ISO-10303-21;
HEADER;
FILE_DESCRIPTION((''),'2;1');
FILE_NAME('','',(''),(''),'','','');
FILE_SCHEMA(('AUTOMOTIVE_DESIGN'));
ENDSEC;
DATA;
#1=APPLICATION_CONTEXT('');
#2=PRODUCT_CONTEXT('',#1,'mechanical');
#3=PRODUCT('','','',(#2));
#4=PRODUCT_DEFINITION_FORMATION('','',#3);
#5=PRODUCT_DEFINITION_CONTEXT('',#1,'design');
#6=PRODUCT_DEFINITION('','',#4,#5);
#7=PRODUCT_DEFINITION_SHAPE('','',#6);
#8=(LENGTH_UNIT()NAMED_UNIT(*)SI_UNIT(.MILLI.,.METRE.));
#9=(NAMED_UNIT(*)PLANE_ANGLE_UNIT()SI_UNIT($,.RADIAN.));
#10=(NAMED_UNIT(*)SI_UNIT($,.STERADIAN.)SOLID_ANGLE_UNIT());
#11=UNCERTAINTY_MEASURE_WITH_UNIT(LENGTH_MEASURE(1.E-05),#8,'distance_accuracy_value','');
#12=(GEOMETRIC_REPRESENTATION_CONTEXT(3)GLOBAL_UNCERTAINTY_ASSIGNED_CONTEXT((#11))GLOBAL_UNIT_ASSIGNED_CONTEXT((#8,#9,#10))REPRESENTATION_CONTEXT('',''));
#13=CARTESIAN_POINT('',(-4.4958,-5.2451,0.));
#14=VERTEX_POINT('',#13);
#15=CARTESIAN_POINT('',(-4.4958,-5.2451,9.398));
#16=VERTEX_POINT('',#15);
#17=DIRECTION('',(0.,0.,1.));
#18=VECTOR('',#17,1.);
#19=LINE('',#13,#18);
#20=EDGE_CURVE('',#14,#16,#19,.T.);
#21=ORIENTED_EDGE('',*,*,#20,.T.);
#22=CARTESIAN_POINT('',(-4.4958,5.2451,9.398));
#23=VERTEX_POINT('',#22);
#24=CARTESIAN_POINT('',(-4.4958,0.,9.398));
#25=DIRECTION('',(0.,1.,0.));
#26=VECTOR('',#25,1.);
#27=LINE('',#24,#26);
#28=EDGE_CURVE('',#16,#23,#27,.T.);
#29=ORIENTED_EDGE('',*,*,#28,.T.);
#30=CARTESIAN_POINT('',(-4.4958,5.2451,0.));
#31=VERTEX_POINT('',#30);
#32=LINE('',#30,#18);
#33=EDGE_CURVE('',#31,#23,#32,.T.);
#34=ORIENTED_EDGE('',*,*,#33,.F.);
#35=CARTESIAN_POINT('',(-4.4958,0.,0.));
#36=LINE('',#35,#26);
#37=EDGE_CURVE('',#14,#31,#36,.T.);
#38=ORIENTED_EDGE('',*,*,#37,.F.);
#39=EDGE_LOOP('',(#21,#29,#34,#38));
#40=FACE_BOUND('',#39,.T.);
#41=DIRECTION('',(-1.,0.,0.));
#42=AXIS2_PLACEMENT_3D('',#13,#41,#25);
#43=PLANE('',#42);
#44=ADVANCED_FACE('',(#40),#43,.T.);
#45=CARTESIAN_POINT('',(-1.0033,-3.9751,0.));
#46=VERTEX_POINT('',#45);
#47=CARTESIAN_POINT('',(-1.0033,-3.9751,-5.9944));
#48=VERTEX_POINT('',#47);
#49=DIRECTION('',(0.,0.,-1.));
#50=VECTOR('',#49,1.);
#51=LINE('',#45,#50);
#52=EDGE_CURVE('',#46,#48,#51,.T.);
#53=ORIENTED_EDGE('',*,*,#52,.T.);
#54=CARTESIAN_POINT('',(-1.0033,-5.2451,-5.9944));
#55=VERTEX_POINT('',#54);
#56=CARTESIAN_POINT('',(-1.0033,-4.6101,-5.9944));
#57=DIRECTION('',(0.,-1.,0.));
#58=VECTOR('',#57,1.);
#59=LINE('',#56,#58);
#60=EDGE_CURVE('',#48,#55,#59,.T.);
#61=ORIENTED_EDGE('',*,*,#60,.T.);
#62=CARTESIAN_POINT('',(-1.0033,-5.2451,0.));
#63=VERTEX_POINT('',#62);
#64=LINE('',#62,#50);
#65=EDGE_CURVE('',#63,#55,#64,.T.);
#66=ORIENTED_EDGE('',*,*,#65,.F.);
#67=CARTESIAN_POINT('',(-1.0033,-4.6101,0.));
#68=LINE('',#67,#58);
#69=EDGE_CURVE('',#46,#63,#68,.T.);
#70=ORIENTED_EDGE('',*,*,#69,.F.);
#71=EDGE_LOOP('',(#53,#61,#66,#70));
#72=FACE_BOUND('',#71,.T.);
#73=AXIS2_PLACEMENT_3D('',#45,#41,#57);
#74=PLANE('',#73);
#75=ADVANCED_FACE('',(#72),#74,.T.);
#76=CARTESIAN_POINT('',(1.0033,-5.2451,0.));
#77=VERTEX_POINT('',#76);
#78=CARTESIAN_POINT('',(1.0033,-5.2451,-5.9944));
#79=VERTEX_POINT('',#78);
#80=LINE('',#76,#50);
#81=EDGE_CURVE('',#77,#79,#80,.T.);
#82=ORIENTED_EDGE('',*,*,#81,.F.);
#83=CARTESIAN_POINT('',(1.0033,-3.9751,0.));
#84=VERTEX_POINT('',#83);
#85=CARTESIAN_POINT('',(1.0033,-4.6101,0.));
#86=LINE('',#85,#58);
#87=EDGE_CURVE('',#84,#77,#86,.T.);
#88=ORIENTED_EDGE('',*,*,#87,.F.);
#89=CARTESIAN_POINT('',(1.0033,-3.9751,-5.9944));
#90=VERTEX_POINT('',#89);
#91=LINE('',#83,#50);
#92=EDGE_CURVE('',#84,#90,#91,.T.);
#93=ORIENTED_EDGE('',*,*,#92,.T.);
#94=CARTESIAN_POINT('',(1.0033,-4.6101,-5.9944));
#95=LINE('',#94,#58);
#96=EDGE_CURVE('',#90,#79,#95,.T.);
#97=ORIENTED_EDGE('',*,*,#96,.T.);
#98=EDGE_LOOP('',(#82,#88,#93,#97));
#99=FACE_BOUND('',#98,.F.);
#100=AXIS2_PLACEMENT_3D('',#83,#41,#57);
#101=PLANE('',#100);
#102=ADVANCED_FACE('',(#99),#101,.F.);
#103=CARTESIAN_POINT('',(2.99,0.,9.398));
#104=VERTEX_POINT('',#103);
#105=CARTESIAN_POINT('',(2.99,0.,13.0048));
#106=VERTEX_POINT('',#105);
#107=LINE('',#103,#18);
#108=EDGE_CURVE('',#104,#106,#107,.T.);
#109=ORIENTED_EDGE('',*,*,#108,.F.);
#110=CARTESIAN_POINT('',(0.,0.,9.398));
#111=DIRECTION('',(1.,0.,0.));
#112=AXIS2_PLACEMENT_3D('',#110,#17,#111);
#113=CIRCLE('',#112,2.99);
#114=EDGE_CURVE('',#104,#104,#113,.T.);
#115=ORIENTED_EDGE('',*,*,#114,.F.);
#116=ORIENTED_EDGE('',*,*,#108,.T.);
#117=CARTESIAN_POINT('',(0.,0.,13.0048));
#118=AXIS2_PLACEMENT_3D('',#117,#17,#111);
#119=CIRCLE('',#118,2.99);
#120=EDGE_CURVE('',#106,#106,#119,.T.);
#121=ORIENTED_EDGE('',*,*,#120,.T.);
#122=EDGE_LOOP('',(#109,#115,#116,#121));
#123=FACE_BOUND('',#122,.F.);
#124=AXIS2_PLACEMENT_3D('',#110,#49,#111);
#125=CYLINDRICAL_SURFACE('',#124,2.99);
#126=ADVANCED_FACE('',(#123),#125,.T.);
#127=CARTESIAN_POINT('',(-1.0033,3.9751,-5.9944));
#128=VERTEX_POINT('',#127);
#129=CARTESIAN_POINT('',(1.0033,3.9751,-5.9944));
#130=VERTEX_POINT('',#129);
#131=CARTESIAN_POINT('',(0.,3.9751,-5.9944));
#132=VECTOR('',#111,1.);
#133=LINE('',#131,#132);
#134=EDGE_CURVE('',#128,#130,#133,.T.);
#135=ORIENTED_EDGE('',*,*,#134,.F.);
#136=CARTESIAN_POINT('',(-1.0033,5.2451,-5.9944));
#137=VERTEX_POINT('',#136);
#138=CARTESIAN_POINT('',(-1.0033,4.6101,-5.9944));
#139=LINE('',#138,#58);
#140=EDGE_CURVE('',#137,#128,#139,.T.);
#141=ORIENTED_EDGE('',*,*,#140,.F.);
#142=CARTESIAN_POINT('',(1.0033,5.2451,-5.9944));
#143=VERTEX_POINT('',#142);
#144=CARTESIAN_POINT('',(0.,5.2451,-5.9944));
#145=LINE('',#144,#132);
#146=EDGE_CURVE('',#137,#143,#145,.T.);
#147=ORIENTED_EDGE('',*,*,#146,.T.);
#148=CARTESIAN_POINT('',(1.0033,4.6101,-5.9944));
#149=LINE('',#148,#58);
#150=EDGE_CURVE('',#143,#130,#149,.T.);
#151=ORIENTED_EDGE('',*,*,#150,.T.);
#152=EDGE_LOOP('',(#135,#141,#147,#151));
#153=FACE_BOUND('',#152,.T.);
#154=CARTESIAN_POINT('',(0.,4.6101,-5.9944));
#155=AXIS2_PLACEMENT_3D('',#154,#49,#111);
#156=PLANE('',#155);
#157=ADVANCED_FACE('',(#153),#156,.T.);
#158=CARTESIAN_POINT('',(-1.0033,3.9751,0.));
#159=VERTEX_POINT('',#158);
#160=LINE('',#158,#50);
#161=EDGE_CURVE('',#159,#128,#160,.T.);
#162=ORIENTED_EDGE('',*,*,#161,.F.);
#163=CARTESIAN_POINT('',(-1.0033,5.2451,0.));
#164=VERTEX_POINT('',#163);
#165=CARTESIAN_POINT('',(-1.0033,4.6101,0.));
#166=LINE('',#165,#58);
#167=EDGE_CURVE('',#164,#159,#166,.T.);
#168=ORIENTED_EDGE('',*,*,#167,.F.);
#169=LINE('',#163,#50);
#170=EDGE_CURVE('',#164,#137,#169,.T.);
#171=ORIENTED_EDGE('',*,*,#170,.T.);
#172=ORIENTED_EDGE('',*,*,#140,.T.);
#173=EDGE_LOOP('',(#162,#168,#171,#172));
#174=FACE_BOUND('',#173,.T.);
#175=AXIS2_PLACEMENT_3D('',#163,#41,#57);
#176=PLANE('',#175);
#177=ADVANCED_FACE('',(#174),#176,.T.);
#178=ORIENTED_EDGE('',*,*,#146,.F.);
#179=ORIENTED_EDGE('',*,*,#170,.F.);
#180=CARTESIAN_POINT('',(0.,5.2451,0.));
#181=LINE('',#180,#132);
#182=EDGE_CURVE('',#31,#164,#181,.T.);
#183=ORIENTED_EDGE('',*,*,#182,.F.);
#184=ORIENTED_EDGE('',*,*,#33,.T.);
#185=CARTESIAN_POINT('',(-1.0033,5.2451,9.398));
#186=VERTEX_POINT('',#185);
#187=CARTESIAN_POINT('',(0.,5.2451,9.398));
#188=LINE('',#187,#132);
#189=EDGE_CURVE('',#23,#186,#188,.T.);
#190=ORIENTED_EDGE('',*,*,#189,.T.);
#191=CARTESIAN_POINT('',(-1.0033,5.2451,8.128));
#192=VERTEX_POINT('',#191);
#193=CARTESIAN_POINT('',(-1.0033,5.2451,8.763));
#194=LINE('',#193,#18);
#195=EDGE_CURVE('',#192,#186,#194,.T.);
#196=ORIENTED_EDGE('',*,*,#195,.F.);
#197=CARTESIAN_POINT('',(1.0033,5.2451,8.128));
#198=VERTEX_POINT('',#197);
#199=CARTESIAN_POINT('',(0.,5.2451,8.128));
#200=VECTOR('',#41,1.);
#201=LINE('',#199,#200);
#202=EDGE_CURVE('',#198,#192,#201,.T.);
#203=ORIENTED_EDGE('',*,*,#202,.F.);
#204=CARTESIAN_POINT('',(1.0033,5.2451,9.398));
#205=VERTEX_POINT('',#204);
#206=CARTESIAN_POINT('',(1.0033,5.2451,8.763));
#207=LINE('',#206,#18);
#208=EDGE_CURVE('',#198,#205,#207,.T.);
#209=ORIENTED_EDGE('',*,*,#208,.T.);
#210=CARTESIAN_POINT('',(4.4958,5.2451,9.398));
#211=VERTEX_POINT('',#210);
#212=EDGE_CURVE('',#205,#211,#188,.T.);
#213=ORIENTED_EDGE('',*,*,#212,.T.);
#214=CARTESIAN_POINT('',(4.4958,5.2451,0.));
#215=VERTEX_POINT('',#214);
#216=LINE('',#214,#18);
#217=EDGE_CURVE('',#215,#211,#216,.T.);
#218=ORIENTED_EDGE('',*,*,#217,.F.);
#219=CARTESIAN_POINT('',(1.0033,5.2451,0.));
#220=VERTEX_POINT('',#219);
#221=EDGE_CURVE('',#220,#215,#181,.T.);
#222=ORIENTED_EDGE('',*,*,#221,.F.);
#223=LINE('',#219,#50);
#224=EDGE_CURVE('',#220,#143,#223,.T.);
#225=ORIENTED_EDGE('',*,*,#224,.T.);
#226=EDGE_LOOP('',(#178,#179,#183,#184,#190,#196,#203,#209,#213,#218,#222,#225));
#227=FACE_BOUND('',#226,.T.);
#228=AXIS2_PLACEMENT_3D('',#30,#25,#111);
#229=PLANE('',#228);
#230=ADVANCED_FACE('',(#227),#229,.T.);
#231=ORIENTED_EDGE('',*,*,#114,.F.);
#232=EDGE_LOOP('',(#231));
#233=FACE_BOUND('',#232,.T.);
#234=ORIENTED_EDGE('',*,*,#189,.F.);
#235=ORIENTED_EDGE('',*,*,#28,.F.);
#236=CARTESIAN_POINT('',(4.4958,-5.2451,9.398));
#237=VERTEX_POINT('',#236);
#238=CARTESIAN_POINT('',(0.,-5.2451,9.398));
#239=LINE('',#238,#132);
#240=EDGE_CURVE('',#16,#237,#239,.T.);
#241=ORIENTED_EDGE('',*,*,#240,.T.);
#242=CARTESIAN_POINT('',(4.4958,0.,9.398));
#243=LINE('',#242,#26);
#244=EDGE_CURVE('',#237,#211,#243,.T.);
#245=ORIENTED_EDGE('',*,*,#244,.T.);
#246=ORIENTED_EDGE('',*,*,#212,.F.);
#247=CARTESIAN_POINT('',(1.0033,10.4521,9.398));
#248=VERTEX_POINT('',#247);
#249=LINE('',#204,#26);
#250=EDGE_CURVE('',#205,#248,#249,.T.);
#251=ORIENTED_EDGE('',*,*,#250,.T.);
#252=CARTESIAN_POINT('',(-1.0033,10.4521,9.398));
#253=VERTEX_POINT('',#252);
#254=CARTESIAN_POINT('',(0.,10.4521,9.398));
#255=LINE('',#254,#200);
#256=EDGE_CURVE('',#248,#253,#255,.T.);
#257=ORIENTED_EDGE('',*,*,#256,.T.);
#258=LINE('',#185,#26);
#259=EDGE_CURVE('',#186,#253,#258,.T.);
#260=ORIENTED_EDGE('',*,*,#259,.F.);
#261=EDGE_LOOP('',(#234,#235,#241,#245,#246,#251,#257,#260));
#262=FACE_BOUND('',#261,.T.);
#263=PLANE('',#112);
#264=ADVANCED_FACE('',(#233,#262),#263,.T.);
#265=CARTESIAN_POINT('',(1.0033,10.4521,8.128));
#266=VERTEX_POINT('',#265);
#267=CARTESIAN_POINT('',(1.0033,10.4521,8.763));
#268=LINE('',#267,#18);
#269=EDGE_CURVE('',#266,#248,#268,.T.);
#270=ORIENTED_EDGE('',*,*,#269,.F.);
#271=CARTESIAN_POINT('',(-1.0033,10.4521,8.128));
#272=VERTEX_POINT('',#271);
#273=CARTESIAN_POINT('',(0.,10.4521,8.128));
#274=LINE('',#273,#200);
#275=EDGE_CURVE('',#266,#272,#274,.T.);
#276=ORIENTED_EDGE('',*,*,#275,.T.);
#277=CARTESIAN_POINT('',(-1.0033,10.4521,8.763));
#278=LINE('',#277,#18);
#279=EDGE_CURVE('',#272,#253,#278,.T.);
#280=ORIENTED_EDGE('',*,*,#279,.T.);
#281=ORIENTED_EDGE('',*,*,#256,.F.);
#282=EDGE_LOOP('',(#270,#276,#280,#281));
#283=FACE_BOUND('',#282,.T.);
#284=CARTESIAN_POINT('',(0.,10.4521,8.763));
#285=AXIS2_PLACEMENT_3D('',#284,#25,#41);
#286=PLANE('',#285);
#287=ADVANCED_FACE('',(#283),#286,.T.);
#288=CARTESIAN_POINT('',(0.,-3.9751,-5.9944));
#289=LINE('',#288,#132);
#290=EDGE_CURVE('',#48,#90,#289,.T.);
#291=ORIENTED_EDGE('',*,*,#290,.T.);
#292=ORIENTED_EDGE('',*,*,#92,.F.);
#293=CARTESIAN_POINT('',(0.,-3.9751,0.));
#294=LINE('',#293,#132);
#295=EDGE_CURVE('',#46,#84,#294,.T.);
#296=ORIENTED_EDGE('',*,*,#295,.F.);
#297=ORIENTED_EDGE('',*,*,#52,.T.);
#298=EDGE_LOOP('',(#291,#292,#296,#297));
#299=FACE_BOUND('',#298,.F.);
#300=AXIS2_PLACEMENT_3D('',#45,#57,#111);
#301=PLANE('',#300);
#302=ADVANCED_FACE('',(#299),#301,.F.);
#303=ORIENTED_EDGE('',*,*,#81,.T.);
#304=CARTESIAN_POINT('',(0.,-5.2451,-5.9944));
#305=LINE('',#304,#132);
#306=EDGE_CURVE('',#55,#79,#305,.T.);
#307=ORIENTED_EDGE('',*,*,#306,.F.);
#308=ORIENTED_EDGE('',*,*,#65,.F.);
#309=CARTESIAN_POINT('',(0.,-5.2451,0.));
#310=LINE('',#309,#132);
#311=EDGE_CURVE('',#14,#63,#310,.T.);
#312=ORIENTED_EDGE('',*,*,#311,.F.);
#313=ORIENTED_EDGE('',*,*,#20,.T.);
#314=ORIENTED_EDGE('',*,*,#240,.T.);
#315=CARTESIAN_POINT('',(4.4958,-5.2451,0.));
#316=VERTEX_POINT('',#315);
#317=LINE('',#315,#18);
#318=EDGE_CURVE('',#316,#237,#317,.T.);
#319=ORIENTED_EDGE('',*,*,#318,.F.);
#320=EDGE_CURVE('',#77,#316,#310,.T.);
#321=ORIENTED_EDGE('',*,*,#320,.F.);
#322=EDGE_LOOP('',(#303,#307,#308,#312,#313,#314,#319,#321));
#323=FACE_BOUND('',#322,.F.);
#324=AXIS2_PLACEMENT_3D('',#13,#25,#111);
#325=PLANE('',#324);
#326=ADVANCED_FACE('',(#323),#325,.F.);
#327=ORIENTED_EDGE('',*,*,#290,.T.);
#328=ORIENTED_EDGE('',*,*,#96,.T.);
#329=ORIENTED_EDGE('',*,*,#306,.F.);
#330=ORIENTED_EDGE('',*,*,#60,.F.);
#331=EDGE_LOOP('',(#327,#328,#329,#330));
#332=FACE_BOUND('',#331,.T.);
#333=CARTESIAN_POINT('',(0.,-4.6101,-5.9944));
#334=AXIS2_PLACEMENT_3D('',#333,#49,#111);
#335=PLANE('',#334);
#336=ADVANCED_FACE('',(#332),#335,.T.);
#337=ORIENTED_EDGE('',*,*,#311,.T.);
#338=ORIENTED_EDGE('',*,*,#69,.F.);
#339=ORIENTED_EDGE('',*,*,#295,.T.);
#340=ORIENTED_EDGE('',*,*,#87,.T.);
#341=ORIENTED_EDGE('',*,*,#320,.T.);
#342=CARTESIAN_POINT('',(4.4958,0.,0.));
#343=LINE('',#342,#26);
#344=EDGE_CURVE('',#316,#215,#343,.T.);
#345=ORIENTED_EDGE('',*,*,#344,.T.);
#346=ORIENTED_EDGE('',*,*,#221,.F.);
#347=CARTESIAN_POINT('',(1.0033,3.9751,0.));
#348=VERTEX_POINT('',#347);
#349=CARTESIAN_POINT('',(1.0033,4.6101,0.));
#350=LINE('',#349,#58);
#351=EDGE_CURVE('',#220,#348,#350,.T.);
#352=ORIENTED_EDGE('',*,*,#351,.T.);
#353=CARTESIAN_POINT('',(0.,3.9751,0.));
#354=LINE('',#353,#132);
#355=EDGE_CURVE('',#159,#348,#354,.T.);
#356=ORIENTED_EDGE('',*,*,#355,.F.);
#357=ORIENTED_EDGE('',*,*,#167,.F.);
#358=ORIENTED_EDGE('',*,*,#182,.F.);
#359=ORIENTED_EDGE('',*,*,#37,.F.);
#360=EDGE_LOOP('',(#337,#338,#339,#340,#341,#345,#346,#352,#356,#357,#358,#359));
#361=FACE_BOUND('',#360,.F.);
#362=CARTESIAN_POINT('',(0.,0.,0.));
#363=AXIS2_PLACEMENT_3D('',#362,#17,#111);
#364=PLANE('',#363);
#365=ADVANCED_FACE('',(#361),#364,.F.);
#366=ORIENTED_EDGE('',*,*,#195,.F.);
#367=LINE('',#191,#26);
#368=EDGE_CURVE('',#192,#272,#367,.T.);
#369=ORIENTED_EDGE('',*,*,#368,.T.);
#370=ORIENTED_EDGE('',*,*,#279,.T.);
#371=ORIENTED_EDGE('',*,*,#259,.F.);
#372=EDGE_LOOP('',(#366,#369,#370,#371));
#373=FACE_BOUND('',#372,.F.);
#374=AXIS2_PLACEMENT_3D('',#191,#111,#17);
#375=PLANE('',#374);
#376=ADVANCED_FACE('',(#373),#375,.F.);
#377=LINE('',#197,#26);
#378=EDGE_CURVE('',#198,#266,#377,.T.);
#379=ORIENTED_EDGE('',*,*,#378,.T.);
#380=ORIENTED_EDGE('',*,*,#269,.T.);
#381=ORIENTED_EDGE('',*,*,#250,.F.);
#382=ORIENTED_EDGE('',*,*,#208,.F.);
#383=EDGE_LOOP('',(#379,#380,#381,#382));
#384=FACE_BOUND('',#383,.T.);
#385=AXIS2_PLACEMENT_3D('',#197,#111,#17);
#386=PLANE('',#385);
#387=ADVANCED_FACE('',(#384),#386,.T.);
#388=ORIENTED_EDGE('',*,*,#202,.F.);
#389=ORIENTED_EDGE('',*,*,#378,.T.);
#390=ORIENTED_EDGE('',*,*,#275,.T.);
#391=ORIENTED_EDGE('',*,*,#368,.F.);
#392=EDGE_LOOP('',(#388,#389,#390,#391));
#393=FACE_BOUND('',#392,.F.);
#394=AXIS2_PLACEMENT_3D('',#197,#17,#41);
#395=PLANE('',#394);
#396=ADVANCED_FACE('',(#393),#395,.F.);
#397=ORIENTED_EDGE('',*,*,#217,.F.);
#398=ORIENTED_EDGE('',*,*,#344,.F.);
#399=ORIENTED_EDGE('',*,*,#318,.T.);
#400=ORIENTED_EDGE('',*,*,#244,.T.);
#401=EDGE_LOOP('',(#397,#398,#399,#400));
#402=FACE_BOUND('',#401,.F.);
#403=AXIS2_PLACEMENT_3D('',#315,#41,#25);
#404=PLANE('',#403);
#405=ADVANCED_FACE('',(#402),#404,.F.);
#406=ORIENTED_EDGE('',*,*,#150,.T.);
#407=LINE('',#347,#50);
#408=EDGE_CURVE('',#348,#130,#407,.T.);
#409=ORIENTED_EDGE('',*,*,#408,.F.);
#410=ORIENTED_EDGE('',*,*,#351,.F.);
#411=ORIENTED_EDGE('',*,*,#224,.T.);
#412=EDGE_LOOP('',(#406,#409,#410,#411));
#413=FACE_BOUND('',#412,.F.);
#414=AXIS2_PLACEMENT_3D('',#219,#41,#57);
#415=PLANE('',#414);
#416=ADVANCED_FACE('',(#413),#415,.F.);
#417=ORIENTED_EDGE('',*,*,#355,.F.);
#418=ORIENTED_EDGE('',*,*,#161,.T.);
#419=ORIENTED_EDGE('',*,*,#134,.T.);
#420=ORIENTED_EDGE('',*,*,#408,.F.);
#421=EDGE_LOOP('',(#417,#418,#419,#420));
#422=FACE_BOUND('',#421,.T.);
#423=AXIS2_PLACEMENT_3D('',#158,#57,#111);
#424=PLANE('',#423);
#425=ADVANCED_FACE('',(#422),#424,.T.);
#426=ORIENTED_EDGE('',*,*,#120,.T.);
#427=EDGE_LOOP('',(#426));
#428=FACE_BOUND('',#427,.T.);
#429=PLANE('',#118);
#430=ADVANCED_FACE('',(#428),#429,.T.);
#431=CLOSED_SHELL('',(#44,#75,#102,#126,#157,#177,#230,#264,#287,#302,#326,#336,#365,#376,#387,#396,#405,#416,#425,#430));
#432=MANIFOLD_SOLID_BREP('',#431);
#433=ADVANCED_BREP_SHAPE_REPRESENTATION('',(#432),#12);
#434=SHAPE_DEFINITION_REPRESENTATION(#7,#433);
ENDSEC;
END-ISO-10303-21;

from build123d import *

# Parameters (mm, degrees)
F0_W     = 8.9916
F0_H     = 10.4902
F1_DEPTH = 9.398
F2_R     = 2.99
F3_DEPTH = 3.6068
F4_W     = 2.0066
F4_H     = 1.27
F5_DEPTH = 5.207
F6_W     = 2.0066
F6_H     = 1.27
F7_DEPTH = 5.9944


with BuildPart() as f1:
    # F0 (on Top) → F1 (new body)
    with BuildSketch(Plane.XY):
        Rectangle(F0_W, F0_H)
    extrude(amount=F1_DEPTH)

    # F2 (on face) → F3 (join)
    with BuildSketch(Plane.XY.offset(9.398)):
        Circle(F2_R)
    extrude(amount=F3_DEPTH)

    # F4 (on face) → F5 (join)
    with BuildSketch(Plane(origin=(0, 5.2451, 0), x_dir=(-1, 0, 0), z_dir=(0, 1, 0))):
        with Locations((0, 8.763)):
            Rectangle(F4_W, F4_H)
    extrude(amount=F5_DEPTH)

    # F6 (on face) → F7 (join)
    with BuildSketch(Plane(origin=(0, 0, 0), x_dir=(1, 0, 0), z_dir=(0, 0, -1))):
        with Locations((0, 4.6101)):
            Rectangle(F6_W, F6_H)
        with Locations((0, -4.6101)):
            Rectangle(F6_W, F6_H)
    extrude(amount=F7_DEPTH)


solid = f1.part
